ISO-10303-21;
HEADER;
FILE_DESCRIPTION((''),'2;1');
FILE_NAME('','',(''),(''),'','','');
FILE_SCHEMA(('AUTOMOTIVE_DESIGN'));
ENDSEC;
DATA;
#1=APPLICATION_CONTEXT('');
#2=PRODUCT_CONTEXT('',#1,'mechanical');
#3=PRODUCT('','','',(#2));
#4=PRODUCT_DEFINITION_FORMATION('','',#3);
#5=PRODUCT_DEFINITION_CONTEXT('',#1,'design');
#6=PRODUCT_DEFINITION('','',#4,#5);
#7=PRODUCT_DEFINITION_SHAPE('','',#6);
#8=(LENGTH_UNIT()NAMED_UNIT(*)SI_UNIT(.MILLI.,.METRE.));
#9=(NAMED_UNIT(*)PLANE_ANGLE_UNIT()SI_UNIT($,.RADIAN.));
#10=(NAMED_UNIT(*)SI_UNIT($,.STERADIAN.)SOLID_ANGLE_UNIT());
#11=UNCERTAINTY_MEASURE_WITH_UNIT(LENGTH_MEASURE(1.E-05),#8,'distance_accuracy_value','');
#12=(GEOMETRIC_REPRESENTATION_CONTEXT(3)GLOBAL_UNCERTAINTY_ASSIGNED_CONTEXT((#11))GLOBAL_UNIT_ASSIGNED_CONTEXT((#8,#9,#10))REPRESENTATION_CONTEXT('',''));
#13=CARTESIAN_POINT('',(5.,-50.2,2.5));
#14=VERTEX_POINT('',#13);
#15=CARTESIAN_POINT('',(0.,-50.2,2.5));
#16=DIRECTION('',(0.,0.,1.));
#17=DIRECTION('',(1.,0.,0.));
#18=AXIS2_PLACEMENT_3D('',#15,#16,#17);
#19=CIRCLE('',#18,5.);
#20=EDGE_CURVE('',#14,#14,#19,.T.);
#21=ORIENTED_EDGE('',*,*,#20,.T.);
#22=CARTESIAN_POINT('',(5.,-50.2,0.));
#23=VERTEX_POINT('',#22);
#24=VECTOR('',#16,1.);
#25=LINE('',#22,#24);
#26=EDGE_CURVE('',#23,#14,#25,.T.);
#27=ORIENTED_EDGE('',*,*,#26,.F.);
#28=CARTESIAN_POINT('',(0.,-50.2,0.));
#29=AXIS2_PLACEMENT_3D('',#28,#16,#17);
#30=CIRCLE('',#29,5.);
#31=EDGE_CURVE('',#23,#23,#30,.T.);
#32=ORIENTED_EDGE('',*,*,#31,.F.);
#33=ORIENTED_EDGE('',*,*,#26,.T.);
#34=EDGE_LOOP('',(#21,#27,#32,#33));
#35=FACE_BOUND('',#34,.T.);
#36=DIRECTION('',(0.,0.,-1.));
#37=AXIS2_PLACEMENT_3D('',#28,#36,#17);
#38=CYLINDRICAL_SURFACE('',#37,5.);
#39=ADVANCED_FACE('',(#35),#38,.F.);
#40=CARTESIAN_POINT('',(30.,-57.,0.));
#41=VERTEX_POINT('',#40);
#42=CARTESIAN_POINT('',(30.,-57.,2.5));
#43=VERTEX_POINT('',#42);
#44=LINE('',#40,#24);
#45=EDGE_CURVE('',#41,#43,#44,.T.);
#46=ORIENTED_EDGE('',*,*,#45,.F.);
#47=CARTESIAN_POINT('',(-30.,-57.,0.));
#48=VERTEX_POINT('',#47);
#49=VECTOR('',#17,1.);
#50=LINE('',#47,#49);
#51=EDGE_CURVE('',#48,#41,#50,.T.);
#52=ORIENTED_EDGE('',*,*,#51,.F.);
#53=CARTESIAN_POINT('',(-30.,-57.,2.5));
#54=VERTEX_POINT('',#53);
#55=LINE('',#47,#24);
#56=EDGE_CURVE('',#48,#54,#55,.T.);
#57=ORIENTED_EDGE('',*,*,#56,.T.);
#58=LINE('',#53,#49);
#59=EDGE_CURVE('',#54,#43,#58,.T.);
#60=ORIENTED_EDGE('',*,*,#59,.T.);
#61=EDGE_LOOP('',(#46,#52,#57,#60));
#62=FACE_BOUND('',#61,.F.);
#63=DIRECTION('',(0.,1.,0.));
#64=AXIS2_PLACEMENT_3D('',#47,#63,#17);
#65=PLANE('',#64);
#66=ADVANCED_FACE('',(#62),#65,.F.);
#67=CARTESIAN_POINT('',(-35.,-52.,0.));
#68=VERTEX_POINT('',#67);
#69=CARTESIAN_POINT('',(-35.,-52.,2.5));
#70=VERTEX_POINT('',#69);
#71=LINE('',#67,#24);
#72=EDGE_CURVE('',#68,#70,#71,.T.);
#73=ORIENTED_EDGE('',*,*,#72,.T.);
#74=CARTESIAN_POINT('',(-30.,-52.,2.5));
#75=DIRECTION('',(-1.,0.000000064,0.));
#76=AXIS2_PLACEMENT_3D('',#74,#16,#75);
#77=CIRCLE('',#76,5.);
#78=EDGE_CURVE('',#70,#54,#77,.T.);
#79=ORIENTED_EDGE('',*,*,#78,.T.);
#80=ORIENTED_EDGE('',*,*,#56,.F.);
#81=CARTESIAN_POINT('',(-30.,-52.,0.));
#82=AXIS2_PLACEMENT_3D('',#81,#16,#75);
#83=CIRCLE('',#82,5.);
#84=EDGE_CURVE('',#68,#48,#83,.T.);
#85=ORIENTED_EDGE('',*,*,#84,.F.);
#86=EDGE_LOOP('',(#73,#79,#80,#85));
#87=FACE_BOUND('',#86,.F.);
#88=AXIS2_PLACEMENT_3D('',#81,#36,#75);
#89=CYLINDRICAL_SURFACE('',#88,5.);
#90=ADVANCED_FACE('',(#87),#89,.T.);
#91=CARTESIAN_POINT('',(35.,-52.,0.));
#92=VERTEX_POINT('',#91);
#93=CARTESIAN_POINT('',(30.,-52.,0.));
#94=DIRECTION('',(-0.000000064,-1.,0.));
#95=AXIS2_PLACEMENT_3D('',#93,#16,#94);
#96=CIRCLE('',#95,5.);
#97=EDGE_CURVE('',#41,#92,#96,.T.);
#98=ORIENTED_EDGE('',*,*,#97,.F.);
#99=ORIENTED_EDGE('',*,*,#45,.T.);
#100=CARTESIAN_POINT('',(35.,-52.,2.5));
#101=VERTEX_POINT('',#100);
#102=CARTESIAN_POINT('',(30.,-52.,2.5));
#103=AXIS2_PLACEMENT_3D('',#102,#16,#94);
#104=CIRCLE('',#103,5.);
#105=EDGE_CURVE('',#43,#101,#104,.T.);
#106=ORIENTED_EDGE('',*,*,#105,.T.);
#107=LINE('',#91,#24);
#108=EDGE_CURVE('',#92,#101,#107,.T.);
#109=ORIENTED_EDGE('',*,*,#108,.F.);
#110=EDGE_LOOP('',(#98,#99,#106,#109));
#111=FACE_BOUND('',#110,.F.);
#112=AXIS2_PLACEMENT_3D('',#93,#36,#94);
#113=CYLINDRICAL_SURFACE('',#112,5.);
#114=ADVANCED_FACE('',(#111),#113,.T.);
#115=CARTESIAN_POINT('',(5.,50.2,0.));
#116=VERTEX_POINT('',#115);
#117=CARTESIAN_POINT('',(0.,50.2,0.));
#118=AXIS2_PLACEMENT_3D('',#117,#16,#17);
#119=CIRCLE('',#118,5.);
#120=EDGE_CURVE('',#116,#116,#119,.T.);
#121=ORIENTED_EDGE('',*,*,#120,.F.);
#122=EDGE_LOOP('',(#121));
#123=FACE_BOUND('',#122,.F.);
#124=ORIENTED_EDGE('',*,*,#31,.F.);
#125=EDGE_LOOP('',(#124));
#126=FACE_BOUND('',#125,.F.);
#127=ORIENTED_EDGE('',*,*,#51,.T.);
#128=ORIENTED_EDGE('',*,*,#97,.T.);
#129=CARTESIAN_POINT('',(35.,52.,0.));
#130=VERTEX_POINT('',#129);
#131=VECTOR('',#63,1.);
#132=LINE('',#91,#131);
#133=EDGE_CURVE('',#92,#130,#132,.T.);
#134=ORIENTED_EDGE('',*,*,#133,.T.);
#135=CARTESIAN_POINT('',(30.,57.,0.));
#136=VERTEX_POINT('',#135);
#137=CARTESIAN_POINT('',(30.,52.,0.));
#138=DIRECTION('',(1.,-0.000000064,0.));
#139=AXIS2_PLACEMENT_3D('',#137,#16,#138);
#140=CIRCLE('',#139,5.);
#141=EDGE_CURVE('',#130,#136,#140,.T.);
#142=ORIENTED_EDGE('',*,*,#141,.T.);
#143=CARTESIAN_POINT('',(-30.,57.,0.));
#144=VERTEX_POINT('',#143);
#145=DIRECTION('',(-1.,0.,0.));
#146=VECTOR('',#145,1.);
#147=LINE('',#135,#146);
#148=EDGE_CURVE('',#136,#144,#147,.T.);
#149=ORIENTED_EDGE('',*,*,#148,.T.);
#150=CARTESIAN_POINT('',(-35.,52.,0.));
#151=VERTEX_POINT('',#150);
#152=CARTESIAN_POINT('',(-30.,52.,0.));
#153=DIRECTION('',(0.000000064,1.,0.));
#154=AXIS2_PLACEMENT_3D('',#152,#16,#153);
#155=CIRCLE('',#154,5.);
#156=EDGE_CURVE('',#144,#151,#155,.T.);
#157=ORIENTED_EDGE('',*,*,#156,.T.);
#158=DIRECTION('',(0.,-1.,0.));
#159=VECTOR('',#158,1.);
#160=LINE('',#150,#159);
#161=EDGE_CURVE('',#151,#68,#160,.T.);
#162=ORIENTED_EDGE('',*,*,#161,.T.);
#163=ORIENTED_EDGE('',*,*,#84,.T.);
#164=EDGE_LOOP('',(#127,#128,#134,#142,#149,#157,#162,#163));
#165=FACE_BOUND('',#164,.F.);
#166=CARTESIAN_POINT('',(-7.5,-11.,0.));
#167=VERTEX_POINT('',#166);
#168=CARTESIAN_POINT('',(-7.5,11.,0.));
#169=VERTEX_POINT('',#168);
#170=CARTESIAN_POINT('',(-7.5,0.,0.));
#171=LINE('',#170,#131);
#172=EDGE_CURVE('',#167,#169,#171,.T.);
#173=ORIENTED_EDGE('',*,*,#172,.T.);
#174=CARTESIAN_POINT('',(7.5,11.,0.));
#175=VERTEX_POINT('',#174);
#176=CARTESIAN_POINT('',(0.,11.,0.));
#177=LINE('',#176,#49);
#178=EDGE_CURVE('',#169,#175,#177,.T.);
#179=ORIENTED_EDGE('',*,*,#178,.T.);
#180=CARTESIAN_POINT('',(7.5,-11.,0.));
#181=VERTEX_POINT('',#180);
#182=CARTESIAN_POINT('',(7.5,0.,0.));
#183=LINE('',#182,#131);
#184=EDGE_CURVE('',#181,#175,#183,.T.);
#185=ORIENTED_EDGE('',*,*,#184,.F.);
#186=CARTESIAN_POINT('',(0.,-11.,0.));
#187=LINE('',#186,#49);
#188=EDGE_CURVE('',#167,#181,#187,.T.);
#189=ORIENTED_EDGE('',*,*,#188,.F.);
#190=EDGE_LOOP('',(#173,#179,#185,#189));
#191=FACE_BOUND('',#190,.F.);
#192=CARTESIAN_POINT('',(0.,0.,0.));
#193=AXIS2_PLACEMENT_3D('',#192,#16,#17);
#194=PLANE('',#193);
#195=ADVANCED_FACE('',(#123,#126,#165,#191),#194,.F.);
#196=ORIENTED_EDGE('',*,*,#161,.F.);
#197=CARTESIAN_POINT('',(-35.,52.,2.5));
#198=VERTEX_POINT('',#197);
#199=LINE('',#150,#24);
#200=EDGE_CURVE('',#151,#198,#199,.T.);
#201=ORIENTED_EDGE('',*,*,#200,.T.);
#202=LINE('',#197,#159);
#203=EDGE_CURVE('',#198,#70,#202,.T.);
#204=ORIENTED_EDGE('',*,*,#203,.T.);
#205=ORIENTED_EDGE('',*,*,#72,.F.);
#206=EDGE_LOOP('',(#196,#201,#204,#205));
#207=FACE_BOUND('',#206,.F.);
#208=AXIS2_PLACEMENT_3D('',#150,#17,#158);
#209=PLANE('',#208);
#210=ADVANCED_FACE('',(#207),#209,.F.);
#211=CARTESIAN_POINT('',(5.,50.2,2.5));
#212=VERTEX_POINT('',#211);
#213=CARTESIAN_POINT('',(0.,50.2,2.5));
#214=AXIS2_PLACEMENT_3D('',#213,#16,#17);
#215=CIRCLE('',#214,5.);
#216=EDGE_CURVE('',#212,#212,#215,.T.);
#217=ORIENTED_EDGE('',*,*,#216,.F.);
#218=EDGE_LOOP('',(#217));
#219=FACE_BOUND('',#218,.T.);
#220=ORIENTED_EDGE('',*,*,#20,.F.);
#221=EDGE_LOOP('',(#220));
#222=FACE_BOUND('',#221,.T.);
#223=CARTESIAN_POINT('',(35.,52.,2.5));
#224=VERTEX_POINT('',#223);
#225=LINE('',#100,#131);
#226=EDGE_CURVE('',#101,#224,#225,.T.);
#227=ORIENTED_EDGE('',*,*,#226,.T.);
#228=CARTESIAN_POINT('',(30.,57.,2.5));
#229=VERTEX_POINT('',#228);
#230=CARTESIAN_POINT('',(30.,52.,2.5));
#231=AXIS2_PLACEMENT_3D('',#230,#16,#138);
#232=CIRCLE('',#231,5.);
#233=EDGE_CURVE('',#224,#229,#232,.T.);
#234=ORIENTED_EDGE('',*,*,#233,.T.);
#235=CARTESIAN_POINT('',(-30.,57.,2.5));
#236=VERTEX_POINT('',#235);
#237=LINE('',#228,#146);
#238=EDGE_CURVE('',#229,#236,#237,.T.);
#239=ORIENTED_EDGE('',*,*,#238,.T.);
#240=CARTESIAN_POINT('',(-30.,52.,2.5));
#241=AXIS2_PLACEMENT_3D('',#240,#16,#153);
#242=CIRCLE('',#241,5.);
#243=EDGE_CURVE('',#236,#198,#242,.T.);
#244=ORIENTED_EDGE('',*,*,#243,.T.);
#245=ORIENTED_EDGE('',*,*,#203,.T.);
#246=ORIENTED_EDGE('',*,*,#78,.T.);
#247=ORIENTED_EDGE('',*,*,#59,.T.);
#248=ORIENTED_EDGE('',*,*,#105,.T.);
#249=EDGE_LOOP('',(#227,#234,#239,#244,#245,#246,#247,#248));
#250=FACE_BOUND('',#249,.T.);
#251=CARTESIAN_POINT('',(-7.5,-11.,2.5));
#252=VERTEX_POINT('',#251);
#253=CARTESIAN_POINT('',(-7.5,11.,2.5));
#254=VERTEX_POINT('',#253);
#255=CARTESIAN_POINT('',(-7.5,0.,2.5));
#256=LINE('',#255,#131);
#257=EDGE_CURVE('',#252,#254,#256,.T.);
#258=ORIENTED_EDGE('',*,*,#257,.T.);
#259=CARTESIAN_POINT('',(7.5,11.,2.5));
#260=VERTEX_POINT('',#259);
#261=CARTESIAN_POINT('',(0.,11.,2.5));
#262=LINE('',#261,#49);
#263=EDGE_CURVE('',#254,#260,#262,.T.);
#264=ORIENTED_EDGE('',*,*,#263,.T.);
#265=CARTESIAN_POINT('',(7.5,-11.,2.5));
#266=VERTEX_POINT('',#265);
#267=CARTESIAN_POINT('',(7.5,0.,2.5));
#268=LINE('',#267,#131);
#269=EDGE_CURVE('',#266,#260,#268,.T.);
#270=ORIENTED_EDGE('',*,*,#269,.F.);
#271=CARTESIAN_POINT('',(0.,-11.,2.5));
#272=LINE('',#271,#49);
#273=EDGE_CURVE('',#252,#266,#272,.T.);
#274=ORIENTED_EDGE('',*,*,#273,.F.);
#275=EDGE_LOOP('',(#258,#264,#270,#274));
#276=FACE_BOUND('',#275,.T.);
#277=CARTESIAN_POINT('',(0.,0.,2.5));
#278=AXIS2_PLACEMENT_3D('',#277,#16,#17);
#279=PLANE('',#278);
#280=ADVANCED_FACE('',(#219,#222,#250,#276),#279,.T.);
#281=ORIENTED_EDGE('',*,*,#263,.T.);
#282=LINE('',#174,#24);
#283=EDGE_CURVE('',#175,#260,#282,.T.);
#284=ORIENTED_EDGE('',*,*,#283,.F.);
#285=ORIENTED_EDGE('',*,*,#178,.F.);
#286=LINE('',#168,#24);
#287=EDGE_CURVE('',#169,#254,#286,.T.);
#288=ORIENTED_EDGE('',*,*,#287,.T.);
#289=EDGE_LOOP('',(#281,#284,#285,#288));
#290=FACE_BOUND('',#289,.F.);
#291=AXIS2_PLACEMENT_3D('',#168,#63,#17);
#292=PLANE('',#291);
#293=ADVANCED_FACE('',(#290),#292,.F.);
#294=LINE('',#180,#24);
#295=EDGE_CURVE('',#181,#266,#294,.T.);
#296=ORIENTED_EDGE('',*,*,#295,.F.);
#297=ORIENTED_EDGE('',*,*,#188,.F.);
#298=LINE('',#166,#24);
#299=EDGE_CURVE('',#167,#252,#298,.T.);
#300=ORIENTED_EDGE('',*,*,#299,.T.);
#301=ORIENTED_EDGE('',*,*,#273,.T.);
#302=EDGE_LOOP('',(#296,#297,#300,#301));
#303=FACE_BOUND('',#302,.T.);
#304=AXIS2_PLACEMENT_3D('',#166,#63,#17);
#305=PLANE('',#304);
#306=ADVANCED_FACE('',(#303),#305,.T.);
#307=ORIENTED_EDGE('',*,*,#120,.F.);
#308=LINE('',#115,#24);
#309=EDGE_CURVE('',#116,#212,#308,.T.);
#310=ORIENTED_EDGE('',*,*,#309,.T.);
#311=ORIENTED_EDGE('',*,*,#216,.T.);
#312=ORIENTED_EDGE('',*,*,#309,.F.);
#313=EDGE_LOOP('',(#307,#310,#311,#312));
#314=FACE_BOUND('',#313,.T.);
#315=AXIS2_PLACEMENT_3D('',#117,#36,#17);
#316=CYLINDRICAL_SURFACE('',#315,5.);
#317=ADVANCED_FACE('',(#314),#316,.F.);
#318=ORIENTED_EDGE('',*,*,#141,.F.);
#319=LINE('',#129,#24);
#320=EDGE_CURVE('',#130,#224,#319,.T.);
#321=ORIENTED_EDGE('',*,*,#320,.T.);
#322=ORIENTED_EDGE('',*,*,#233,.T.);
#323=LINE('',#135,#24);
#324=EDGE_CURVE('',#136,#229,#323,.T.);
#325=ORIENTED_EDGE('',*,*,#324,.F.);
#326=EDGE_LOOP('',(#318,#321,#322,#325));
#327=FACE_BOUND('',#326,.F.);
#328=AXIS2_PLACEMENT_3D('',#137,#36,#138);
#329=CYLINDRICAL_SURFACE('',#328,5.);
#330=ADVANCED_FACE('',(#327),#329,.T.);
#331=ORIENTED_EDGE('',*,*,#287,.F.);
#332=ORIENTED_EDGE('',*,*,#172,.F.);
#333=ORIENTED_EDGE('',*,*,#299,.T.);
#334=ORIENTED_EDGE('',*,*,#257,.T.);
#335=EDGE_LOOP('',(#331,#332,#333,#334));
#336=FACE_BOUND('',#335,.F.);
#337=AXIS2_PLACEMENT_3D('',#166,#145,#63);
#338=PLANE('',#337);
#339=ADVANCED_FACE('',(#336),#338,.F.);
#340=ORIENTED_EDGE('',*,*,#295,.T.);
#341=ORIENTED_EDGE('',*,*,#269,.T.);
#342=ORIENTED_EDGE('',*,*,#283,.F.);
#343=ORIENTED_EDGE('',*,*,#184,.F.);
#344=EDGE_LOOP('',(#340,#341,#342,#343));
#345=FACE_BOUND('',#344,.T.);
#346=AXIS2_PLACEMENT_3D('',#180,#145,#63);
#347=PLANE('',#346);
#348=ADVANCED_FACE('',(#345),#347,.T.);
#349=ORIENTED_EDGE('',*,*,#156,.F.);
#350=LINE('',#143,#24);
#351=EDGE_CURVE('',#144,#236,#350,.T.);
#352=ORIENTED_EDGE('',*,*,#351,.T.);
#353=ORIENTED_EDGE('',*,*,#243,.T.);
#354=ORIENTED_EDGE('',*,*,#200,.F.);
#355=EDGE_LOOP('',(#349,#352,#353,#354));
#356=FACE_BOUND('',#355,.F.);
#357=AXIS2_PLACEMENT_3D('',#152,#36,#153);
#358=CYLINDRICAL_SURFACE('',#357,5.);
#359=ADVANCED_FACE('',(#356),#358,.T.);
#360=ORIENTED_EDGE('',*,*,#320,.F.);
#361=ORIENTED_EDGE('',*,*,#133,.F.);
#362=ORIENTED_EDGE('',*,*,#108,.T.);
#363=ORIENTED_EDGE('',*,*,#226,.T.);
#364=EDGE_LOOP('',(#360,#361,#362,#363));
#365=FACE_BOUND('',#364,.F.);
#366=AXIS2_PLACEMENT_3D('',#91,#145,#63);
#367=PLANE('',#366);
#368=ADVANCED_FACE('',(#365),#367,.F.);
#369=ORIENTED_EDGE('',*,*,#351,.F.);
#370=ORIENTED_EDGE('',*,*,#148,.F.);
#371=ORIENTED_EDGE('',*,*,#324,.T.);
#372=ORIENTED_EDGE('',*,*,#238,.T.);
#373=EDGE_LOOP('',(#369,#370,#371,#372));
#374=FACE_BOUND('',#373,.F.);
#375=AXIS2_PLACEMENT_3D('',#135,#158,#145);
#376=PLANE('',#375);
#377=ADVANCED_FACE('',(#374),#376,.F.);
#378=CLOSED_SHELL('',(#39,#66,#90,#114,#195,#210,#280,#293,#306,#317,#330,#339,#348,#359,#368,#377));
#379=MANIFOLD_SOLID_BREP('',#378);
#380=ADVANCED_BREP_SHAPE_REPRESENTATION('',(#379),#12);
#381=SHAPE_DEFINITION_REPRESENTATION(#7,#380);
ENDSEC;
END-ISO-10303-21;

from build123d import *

# Parameters (mm, degrees)
F0_R     = 5
F0_W     = 15
F0_H     = 22
F1_DEPTH = 2.5


with BuildPart() as f1:
    # F0 (on Top) → F1 (new body)
    with BuildSketch(Plane.XY):
        with BuildLine():
            Line((30, 57), (-30, 57))
            ThreePointArc((-30, 57), (-33.535534, 55.535534), (-35, 52))
            Line((-35, 52), (-35, -52))
            ThreePointArc((-35, -52), (-33.535534, -55.535534), (-30, -57))
            Line((-30, -57), (30, -57))
            ThreePointArc((30, -57), (33.535534, -55.535534), (35, -52))
            Line((35, -52), (35, 52))
            ThreePointArc((35, 52), (33.535534, 55.535534), (30, 57))
        make_face()
        with Locations((0, -50.2)):
            Circle(F0_R, mode=Mode.SUBTRACT)
        Rectangle(F0_W, F0_H, mode=Mode.SUBTRACT)
        with Locations((0, 50.2)):
            Circle(F0_R, mode=Mode.SUBTRACT)
    extrude(amount=F1_DEPTH)


solid = f1.part
